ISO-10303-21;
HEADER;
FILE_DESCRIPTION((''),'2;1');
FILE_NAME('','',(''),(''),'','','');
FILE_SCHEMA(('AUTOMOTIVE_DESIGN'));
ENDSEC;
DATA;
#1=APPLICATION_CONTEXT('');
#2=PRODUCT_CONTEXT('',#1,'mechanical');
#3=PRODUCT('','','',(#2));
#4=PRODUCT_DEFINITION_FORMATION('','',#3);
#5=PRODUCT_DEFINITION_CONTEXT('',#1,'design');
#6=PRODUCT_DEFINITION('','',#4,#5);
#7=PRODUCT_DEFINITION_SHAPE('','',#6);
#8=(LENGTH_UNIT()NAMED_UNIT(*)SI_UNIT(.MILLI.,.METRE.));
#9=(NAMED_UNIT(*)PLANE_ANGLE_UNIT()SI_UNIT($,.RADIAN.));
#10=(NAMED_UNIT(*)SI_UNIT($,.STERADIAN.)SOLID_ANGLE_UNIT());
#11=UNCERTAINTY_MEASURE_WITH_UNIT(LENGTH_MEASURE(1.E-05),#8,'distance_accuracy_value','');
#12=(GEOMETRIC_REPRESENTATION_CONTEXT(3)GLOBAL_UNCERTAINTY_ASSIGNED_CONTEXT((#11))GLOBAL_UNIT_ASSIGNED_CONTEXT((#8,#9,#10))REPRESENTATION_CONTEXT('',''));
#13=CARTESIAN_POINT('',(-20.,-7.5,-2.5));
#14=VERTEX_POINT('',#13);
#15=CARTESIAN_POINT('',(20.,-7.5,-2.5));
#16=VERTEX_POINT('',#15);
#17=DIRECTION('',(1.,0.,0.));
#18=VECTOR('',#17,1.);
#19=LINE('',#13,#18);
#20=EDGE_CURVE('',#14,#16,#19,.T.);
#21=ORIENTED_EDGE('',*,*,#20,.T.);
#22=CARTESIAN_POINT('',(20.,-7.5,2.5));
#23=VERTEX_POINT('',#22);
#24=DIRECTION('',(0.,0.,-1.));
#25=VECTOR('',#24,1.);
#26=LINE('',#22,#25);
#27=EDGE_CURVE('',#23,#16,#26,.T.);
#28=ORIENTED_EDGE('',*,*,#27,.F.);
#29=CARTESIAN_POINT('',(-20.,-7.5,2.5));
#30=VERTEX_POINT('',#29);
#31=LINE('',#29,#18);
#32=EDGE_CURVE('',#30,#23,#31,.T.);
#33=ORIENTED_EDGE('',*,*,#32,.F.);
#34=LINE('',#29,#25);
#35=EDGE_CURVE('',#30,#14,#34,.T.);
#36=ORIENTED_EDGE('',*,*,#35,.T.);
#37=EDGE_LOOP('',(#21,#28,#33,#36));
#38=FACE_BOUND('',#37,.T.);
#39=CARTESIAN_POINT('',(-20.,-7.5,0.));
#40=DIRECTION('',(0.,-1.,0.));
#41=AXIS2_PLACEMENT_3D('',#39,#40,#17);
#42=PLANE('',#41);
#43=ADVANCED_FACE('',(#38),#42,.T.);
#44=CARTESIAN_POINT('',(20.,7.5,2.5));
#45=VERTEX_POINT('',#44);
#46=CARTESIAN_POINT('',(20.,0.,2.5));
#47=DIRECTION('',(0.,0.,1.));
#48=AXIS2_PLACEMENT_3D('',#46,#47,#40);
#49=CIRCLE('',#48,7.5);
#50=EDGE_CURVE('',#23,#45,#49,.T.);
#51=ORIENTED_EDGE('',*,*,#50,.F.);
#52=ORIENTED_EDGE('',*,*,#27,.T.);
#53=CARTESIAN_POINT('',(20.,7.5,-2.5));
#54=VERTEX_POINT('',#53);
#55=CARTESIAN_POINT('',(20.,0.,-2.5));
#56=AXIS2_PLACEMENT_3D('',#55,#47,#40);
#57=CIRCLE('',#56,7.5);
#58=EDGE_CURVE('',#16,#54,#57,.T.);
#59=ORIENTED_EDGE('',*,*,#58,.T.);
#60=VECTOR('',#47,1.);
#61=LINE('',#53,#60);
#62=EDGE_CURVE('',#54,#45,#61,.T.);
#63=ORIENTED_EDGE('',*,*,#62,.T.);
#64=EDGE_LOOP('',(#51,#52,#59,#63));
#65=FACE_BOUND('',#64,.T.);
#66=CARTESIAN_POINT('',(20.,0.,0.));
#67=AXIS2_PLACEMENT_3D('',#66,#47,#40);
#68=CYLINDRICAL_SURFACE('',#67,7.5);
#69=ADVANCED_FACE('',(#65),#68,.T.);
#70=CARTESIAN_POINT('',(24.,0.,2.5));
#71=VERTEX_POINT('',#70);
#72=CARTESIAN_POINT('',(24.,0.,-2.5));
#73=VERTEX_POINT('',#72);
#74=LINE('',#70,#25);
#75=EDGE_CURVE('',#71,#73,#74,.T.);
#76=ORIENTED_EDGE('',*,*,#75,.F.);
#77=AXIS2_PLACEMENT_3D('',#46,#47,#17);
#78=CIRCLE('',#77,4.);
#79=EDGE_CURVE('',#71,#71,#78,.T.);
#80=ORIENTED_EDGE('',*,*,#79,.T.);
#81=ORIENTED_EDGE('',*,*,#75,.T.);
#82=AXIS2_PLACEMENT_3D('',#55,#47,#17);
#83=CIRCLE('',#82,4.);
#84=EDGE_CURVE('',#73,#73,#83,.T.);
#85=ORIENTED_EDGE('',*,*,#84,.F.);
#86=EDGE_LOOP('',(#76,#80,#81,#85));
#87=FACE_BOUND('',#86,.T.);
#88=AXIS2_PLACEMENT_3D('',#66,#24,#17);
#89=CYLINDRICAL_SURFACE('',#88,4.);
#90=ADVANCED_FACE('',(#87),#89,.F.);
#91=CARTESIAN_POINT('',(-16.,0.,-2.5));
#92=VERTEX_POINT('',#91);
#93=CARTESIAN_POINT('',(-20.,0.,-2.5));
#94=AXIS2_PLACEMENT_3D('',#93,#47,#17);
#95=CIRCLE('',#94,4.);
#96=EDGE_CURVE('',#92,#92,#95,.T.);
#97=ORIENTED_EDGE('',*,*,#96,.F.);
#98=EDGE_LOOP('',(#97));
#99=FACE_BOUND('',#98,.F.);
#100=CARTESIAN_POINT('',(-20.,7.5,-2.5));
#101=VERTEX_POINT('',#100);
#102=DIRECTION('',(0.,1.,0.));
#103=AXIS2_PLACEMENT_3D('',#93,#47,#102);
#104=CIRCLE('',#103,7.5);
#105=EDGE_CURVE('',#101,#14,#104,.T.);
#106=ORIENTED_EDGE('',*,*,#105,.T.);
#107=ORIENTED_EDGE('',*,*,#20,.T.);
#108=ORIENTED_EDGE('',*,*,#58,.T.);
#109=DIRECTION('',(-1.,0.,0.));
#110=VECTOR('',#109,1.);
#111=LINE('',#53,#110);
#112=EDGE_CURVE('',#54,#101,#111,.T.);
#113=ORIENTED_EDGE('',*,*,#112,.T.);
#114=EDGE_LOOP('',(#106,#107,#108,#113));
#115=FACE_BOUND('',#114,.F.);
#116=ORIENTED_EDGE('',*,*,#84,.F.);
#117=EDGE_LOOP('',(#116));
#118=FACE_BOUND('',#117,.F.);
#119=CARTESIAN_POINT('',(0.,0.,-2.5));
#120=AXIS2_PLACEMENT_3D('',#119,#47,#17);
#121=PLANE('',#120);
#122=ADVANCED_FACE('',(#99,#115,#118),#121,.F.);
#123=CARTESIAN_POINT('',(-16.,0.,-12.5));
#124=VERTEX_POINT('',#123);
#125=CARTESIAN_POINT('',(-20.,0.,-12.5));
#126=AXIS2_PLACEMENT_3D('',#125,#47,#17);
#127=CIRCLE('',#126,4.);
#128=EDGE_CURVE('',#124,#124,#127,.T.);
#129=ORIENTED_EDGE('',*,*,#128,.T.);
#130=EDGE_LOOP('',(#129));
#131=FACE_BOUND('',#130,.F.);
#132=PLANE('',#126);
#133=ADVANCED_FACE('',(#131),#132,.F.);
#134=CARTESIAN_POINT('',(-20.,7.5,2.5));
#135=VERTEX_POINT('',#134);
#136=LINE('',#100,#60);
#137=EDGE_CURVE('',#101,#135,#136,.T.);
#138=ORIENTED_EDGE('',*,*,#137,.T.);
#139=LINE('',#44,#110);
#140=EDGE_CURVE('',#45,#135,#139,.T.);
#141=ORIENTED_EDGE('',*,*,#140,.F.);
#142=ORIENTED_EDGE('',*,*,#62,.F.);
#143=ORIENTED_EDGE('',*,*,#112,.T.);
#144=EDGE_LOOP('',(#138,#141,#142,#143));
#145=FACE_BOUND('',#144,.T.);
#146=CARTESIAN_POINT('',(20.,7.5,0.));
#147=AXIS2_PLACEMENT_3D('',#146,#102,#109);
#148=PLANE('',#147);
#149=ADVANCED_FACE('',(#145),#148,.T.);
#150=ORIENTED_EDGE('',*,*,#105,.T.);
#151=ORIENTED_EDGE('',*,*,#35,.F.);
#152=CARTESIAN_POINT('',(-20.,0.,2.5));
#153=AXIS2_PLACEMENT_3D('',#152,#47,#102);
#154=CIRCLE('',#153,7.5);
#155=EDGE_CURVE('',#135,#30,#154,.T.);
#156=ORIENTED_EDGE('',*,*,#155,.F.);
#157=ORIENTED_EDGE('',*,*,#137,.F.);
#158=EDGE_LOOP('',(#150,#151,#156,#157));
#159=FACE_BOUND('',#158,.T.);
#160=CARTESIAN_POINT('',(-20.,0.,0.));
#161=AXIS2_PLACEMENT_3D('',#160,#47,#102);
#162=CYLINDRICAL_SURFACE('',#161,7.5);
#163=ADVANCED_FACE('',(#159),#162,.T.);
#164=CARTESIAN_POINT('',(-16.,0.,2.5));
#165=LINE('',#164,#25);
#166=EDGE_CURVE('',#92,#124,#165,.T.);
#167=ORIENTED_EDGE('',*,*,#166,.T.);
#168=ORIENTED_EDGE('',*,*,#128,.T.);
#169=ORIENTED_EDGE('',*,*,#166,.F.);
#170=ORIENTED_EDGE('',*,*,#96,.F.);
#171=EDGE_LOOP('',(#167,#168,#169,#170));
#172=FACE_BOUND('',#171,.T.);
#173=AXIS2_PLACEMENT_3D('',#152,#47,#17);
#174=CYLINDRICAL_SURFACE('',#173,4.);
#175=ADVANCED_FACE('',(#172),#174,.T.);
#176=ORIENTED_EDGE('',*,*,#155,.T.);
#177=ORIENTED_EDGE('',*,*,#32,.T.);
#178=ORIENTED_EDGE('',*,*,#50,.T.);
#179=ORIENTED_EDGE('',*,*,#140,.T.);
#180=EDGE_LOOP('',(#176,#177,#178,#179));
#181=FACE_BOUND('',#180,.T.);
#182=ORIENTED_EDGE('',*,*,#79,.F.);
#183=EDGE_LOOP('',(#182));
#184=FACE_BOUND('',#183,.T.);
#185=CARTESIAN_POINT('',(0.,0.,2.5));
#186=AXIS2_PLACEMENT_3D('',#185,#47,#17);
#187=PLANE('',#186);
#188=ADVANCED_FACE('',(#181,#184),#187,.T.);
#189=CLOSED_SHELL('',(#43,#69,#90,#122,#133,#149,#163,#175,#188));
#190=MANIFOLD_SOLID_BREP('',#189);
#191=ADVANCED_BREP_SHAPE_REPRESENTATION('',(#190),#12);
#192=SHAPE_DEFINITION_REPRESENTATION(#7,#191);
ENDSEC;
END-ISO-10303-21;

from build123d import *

# Parameters (mm, degrees)
F0_R     = 4
F1_DEPTH = 2.5
F2_R     = 4
F3_DEPTH = 15


with BuildPart() as f1:
    # F0 (on Top) → F1 (new body, symmetric)
    with BuildSketch(Plane.XY):
        with BuildLine():
            ThreePointArc((20, -7.5), (27.5, 0), (20, 7.5))
            Line((20, 7.5), (-20, 7.5))
            ThreePointArc((-20, 7.5), (-27.5, 0), (-20, -7.5))
            Line((-20, -7.5), (20, -7.5))
        make_face()
        with Locations((-20, 0)):
            Circle(F0_R, mode=Mode.SUBTRACT)
        with Locations((20, 0)):
            Circle(F0_R, mode=Mode.SUBTRACT)
    extrude(amount=F1_DEPTH, both=True)

    # F2 (on face) → F3 (join)
    with BuildSketch(Plane.XY.offset(2.5)):
        with Locations((-20, 0)):
            Circle(F2_R)
    extrude(amount=-F3_DEPTH)


solid = f1.part
